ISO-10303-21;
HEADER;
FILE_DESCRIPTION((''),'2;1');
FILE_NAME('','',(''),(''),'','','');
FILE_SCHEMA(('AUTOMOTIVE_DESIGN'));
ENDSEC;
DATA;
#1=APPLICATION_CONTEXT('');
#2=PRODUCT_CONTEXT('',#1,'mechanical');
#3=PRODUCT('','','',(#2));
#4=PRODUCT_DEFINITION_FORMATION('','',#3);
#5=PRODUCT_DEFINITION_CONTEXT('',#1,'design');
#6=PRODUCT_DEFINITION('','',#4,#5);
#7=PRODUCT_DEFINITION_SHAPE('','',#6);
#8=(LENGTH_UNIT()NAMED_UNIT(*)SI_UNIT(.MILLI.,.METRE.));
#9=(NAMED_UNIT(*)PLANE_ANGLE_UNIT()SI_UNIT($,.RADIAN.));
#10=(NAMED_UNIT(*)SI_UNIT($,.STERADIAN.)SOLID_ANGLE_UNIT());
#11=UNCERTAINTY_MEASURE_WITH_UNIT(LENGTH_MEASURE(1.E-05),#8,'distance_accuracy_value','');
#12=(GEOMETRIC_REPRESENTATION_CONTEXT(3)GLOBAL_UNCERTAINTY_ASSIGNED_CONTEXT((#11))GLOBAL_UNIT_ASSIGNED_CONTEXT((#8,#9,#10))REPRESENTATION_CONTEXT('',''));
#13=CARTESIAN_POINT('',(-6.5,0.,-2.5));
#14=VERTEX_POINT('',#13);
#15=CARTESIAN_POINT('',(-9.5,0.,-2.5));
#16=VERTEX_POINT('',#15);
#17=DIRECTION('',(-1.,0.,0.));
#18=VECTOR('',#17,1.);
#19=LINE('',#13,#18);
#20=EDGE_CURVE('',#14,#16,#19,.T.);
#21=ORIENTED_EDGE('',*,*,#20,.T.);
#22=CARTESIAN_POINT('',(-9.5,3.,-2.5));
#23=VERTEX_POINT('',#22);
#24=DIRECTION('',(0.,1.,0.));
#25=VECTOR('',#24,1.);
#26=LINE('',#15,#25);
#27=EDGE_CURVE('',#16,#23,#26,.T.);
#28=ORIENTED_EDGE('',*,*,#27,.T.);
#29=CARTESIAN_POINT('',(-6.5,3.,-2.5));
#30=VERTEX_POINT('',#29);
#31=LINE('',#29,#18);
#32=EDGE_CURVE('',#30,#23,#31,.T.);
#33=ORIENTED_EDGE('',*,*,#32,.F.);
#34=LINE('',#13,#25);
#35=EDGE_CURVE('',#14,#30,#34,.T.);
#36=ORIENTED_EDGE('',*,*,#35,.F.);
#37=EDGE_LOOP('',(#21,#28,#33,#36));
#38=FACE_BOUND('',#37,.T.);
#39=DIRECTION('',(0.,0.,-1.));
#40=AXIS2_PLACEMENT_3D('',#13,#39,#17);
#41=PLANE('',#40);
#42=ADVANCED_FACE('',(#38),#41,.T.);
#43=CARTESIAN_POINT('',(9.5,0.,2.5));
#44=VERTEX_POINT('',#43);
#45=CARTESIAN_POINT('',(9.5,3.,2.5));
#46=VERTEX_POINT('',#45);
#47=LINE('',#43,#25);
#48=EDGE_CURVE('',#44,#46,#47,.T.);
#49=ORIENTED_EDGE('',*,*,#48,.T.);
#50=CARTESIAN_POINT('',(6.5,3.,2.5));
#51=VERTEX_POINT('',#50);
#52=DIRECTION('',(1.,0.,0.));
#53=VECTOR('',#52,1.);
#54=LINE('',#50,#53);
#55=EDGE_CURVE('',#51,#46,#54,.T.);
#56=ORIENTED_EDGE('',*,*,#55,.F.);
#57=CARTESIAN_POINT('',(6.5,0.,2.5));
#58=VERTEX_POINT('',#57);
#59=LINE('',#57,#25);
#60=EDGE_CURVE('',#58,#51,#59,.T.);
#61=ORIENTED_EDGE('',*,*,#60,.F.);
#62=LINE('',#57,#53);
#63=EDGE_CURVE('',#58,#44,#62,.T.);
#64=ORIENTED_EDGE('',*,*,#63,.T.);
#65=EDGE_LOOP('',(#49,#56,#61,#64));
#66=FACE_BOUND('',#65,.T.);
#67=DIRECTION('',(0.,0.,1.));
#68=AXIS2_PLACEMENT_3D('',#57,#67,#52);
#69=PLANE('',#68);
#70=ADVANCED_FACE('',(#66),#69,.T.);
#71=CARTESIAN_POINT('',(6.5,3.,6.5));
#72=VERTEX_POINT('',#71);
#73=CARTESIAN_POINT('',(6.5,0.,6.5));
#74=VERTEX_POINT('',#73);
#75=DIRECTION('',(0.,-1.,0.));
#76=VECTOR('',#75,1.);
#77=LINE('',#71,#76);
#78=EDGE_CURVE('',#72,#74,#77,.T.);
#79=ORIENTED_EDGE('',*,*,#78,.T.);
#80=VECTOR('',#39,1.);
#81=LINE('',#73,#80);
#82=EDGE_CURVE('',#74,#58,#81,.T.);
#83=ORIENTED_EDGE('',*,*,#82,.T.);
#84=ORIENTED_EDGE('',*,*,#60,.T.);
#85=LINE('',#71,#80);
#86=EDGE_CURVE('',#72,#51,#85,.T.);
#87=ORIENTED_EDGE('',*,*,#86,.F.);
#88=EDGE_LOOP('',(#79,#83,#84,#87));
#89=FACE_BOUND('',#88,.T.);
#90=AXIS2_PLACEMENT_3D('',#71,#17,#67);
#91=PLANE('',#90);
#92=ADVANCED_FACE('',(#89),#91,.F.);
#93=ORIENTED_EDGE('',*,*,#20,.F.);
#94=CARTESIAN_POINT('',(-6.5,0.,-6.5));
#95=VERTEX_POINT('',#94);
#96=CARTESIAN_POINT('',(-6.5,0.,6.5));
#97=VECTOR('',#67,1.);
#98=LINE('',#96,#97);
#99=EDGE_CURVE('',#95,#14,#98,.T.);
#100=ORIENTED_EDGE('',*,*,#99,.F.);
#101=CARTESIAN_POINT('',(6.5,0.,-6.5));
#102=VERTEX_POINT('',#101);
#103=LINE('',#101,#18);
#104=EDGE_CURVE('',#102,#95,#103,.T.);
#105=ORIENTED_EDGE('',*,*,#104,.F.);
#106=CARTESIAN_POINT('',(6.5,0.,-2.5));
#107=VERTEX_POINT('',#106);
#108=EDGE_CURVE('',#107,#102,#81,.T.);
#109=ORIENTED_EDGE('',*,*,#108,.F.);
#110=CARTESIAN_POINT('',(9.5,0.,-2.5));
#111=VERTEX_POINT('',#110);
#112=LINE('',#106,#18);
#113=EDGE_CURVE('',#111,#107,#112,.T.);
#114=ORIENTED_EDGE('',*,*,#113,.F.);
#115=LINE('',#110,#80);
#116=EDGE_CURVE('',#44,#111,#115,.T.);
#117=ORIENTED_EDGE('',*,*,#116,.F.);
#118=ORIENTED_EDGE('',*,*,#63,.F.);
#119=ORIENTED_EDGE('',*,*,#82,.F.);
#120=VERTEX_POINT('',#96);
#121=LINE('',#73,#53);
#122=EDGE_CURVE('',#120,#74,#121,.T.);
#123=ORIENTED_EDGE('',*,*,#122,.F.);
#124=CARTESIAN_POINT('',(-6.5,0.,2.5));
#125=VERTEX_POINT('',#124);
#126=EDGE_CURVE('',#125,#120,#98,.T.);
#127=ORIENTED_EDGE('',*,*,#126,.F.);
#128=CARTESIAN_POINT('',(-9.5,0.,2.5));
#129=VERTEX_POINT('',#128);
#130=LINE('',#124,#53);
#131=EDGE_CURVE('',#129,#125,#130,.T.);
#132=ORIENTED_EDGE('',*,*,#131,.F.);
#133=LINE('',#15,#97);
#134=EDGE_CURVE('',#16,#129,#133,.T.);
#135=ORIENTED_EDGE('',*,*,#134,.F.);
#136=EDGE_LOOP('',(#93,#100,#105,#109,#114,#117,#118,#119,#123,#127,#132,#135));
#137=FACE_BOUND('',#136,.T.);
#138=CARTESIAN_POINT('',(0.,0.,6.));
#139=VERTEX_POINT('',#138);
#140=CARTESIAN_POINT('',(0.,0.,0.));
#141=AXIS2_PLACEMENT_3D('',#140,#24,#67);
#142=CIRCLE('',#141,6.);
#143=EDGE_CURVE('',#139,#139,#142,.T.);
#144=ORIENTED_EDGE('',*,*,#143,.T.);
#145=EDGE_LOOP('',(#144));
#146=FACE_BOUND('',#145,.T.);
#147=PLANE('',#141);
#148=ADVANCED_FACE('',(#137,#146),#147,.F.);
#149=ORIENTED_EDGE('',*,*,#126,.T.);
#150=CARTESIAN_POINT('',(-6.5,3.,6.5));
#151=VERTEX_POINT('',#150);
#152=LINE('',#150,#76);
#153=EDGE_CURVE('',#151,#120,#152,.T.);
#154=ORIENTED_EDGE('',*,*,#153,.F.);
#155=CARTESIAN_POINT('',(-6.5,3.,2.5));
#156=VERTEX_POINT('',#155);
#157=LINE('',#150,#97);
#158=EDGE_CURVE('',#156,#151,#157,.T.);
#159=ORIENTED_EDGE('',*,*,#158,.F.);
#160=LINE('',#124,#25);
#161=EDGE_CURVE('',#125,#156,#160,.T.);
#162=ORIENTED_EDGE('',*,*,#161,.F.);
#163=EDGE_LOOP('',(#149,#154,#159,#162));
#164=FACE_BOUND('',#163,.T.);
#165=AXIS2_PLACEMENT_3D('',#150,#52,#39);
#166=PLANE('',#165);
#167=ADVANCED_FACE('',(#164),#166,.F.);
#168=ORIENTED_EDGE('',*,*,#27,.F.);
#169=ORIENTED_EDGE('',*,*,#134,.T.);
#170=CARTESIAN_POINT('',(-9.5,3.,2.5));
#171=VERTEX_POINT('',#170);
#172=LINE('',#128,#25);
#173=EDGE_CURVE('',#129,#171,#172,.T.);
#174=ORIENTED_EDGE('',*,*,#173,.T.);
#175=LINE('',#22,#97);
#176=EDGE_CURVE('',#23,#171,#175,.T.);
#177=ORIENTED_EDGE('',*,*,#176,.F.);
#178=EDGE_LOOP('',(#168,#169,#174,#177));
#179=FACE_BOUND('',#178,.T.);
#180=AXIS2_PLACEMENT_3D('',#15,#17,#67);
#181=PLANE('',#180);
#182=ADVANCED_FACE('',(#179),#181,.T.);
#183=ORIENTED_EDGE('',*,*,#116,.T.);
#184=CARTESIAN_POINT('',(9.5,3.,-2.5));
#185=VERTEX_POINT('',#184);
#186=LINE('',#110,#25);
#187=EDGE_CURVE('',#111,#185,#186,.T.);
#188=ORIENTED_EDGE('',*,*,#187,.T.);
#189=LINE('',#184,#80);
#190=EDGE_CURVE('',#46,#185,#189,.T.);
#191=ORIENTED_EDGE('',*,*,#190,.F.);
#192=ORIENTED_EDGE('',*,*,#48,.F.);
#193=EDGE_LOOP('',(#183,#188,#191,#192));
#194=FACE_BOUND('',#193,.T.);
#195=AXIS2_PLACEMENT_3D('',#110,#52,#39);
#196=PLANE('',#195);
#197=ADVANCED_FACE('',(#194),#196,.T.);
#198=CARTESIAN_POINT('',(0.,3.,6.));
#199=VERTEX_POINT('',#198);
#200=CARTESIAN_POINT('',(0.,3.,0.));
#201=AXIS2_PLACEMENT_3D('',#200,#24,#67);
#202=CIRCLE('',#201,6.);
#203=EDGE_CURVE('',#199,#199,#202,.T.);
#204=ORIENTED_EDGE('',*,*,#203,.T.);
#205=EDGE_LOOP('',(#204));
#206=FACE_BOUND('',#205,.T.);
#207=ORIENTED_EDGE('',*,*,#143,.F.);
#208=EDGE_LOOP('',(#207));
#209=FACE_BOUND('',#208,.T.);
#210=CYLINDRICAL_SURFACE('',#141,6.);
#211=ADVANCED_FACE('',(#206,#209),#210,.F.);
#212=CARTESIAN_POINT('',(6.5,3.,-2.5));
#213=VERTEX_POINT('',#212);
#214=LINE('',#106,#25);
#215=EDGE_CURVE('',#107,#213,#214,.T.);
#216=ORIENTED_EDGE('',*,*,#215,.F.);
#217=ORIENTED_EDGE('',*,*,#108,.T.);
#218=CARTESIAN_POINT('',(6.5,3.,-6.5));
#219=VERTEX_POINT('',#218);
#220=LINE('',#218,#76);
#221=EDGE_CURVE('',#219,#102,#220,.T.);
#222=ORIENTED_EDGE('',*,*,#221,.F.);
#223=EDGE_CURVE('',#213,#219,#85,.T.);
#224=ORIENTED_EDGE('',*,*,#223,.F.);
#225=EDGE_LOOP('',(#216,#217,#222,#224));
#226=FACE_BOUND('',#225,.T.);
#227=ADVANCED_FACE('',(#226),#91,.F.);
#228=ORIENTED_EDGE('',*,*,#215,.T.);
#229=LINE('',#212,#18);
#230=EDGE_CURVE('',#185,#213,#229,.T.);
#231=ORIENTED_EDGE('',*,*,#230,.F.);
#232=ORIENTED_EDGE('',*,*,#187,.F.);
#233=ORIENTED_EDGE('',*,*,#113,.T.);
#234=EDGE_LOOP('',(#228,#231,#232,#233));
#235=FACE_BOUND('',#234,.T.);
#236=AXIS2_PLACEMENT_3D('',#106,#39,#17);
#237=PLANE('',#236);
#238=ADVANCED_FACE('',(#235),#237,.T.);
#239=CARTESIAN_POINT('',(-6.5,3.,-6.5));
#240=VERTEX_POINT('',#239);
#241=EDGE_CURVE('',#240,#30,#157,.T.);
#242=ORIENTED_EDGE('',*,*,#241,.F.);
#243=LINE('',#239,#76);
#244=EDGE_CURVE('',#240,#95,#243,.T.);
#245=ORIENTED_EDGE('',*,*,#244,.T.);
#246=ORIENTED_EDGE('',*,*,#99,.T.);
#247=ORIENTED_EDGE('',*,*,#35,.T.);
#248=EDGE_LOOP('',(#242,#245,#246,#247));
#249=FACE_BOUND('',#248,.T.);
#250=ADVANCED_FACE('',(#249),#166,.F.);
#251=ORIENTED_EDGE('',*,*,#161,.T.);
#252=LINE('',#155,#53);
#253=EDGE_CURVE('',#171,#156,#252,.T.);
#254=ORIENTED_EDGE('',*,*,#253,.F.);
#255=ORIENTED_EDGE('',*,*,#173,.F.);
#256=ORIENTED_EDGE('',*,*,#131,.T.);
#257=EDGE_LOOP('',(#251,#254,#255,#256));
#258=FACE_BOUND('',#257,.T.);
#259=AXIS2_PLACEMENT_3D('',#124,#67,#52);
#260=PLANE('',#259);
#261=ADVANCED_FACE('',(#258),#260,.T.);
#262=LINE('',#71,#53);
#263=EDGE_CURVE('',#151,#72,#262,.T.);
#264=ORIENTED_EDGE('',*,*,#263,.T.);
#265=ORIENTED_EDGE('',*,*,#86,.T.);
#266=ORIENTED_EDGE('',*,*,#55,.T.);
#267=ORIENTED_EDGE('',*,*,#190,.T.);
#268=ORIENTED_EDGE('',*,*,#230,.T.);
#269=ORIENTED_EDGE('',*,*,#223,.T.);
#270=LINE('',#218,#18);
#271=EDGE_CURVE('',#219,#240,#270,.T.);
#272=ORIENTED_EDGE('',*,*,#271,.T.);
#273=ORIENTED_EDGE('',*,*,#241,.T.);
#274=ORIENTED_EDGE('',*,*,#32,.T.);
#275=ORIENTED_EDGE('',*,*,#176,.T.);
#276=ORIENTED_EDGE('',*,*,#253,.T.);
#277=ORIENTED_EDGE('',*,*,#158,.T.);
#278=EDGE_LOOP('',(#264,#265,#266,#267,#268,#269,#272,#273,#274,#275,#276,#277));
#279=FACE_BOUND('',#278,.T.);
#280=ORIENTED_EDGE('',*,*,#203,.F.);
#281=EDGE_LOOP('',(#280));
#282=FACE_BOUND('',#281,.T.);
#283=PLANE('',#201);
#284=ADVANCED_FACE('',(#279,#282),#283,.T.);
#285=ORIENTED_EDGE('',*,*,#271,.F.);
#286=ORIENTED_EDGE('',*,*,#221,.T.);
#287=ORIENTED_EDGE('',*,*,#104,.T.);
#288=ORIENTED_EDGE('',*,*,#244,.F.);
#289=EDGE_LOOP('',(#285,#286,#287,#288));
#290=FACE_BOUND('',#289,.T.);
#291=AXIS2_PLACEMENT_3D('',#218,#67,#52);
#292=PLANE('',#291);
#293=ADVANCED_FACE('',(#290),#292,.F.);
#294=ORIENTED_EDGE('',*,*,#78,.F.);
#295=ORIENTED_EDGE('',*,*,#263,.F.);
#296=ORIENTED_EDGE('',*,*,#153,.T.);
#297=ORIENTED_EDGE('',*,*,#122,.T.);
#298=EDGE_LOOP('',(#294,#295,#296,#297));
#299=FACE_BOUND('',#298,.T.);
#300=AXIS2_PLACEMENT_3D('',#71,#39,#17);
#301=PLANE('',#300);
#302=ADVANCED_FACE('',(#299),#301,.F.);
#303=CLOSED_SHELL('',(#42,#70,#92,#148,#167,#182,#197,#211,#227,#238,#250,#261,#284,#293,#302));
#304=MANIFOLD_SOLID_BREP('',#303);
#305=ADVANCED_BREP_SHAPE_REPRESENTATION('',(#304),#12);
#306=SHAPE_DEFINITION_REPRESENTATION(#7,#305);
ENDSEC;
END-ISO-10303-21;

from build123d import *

# Parameters (mm, degrees)
SKETCH1_W           = 13
SKETCH1_H           = 13
BOSS_EXTRUDE1_DEPTH = 3
SKETCH2_R           = 6
CUT_EXTRUDE1_DEPTH  = 3
SKETCH4_W           = 3
SKETCH4_H           = 5
BOSS_EXTRUDE2_DEPTH = 3


with BuildPart() as part:
    # Sketch1 → Boss-Extrude1 (new body)
    with BuildSketch(Plane(origin=(0, 0, 0), x_dir=(1, 0, 0), z_dir=(0, 1, 0))):
        Rectangle(SKETCH1_W, SKETCH1_H)
    extrude(amount=BOSS_EXTRUDE1_DEPTH)

    # Sketch2 → Cut-Extrude1 (cut)
    with BuildSketch(Plane(origin=(0, 3, 0), x_dir=(1, 0, 0), z_dir=(0, 1, 0))):
        with Locations(Location((0, 0, 0), (0, 0, 270))):
            Circle(SKETCH2_R)
    extrude(amount=-CUT_EXTRUDE1_DEPTH, mode=Mode.SUBTRACT)

    # Sketch4 → Boss-Extrude2 (add)
    with BuildSketch(Plane(origin=(0, 3, 0), x_dir=(1, 0, 0), z_dir=(0, 1, 0))):
        with Locations((-8, 0)):
            Rectangle(SKETCH4_W, SKETCH4_H)
        with Locations((8, 0)):
            Rectangle(SKETCH4_W, SKETCH4_H)
    extrude(amount=-BOSS_EXTRUDE2_DEPTH)


solid = part.part
